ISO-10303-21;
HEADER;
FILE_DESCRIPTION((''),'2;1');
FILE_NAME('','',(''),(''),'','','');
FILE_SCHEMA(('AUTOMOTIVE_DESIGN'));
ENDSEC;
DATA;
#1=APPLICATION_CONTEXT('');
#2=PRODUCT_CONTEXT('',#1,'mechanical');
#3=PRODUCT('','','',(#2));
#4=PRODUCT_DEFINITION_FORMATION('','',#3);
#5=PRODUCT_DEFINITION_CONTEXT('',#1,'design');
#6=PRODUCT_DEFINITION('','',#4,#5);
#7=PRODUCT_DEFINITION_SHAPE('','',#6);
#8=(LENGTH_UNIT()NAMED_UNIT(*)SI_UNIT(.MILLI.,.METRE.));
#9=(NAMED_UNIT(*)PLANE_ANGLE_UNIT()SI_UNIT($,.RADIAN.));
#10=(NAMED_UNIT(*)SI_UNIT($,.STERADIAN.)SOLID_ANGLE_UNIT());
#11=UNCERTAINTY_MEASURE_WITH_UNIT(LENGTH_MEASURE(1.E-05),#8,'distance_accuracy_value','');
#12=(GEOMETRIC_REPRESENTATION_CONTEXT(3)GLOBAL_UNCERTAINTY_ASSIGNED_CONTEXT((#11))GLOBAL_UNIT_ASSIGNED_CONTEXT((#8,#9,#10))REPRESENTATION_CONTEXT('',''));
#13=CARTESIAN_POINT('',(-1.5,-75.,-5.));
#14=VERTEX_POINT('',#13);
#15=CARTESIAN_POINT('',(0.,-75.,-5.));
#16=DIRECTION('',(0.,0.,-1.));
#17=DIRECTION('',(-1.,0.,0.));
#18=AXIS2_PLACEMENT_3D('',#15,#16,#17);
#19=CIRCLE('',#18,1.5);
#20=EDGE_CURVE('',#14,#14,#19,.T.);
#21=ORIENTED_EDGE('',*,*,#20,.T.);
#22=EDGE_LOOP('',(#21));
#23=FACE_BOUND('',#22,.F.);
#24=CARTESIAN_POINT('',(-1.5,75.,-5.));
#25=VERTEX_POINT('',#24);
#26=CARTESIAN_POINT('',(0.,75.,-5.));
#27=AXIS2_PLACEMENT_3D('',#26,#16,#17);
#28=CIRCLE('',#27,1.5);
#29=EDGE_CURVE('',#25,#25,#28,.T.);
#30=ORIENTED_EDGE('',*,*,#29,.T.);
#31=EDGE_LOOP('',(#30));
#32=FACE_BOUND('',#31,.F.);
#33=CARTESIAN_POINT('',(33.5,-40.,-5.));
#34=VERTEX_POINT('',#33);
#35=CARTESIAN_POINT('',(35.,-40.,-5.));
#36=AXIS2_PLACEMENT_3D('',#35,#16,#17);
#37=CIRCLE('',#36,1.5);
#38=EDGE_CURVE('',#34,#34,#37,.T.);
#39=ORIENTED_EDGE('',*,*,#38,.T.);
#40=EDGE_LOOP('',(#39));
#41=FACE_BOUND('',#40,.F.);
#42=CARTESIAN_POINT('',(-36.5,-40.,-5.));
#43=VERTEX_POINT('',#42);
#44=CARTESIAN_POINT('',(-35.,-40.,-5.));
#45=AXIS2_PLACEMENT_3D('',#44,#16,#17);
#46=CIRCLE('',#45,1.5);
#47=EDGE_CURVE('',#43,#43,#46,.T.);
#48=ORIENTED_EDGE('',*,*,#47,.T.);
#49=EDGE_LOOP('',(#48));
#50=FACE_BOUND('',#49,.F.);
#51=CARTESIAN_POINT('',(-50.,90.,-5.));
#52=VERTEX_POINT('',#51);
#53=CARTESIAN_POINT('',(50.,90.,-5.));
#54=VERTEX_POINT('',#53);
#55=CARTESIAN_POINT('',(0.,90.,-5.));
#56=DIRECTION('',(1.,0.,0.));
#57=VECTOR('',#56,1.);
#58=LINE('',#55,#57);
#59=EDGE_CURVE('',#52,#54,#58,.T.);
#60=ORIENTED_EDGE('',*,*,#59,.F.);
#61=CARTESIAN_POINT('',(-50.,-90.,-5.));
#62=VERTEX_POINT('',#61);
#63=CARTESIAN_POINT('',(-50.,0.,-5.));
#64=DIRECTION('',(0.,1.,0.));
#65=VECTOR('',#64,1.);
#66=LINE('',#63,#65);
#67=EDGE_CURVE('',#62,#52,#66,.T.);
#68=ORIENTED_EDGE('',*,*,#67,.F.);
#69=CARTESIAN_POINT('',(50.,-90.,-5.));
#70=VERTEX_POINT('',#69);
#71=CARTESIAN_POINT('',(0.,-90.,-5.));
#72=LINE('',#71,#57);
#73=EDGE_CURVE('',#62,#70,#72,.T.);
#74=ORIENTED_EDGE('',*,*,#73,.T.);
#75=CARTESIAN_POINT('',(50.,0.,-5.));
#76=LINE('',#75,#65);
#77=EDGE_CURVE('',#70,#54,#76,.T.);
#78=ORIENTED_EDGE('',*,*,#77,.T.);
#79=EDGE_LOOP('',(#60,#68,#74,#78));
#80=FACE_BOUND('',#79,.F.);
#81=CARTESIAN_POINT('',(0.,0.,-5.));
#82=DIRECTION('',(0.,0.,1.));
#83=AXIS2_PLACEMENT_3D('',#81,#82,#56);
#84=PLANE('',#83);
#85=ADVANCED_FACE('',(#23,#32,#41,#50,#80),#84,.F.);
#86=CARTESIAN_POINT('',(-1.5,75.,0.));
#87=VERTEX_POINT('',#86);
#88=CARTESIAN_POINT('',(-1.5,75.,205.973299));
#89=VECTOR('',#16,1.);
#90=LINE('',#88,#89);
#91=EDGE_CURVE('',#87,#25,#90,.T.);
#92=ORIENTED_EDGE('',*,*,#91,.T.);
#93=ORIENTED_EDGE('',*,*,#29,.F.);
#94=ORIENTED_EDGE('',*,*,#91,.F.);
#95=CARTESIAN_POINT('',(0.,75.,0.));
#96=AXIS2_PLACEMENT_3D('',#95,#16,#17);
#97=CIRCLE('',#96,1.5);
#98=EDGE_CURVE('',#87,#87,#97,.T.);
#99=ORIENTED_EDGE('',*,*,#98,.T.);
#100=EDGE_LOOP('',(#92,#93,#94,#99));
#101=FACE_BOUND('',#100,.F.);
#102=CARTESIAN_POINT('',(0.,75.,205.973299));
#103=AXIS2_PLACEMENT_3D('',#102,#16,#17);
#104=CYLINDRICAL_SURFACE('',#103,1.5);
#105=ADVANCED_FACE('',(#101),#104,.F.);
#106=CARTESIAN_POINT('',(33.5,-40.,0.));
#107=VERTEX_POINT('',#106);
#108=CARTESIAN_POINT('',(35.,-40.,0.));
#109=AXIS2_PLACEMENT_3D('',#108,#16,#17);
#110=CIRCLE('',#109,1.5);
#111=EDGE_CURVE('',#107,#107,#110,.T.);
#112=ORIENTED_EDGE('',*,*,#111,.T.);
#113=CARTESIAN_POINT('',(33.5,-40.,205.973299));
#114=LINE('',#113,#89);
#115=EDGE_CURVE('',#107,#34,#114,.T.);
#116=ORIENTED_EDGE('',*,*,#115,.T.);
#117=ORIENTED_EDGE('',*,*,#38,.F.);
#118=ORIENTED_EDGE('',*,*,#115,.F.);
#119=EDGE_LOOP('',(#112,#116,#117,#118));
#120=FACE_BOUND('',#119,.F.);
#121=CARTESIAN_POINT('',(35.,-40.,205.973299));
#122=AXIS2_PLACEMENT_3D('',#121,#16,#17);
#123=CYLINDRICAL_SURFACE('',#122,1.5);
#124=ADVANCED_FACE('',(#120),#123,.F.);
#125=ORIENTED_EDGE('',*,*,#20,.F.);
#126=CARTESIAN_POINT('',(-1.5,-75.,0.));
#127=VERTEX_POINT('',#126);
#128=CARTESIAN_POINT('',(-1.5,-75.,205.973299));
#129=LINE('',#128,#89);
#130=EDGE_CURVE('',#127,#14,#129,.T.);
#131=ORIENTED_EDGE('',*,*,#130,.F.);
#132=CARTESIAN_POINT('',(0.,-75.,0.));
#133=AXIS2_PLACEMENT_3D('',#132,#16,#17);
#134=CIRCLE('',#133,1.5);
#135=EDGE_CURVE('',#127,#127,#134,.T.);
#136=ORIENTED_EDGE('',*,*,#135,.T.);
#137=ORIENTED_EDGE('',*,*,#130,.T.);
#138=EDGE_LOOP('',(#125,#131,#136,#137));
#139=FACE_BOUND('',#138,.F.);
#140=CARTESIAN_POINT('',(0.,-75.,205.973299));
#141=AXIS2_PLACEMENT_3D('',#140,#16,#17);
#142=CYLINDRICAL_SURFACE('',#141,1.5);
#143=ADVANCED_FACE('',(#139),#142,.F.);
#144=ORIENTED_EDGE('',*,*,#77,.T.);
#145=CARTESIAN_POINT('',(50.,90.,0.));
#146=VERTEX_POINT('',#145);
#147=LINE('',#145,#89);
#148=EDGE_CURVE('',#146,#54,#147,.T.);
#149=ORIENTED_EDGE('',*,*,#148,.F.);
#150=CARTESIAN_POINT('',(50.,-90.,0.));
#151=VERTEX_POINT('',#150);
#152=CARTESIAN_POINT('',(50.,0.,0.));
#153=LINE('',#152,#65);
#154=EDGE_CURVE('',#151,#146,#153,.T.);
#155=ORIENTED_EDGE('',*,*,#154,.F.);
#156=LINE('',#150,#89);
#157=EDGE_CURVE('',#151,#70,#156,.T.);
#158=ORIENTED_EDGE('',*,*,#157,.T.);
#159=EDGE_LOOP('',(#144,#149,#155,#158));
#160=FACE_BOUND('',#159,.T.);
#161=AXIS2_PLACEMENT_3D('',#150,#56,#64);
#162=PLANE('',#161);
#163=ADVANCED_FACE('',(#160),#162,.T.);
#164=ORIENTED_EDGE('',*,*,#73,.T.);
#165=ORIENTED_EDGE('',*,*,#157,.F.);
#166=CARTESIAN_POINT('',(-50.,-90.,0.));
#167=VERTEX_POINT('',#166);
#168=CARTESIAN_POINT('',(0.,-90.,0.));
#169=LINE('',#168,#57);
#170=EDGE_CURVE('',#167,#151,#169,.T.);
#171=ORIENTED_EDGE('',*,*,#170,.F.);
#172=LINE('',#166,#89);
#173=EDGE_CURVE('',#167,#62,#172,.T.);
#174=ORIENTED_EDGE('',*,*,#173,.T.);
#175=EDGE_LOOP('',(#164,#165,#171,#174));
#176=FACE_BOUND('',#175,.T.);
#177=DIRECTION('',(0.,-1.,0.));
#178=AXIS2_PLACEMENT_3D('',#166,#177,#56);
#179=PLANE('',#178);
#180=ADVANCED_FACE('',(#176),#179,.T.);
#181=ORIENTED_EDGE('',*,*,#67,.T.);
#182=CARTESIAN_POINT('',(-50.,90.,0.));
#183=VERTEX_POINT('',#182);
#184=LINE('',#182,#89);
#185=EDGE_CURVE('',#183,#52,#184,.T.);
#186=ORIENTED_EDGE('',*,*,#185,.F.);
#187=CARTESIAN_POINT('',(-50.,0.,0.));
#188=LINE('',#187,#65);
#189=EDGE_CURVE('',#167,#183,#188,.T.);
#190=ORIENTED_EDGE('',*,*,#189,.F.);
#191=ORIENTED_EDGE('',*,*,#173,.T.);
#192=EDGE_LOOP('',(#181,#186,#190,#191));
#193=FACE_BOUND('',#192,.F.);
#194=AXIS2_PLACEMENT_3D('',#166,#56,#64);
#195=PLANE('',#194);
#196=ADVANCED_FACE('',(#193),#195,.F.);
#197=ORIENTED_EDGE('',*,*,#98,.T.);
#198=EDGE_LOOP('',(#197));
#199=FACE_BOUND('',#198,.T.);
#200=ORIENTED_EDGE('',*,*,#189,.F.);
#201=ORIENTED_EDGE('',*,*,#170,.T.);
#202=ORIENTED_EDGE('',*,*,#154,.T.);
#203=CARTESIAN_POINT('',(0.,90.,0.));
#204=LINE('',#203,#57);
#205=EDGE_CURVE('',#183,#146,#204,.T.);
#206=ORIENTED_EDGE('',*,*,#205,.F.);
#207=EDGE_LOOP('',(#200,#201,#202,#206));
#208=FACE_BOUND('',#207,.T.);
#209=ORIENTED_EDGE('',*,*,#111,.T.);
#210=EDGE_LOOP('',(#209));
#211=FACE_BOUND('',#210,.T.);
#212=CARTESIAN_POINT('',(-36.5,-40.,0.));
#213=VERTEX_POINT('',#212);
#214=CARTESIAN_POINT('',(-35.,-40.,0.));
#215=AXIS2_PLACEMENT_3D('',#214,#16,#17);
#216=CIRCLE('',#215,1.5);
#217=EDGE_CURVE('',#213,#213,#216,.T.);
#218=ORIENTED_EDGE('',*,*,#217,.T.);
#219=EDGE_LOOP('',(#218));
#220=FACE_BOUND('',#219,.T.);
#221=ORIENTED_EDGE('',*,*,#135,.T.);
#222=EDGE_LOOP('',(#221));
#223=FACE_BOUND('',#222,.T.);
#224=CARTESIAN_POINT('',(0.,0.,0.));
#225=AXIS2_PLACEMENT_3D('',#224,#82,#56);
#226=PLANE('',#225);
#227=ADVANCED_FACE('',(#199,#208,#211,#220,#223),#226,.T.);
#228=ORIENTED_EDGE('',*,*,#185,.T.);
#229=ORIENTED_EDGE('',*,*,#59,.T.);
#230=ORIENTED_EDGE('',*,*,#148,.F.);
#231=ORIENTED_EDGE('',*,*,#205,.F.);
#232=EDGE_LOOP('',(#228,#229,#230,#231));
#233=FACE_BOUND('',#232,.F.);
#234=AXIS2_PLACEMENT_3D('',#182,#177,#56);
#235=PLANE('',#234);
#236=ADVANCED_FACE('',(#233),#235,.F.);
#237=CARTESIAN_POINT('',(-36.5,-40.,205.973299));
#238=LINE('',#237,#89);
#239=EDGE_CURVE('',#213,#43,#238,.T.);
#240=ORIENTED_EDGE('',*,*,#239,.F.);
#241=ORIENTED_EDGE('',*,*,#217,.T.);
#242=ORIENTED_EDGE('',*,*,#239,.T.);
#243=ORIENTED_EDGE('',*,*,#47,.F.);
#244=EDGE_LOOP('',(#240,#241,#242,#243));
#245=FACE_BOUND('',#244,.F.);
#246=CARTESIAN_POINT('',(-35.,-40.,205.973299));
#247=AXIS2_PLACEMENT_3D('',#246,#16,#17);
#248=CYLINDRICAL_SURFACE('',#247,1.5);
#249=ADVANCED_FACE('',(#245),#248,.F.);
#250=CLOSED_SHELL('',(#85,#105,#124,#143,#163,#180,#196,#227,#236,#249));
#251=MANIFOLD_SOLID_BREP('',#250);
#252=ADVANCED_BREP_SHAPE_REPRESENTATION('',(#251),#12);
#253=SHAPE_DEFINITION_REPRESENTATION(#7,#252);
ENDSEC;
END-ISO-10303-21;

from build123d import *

# Parameters (mm, degrees)
F0_W     = 100
F0_H     = 180
F1_DEPTH = 5
F3_D     = 3


with BuildPart() as f1:
    # F0 (on Top) → F1 (new body)
    with BuildSketch(Plane.XY):
        Rectangle(F0_W, F0_H)
    extrude(amount=-F1_DEPTH)

    # F3 (through all)
    with Locations(Plane.XY):
        with Locations((-35, -40), (0, -75), (35, -40), (0, 75)):
            Hole(F3_D / 2)


solid = f1.part
